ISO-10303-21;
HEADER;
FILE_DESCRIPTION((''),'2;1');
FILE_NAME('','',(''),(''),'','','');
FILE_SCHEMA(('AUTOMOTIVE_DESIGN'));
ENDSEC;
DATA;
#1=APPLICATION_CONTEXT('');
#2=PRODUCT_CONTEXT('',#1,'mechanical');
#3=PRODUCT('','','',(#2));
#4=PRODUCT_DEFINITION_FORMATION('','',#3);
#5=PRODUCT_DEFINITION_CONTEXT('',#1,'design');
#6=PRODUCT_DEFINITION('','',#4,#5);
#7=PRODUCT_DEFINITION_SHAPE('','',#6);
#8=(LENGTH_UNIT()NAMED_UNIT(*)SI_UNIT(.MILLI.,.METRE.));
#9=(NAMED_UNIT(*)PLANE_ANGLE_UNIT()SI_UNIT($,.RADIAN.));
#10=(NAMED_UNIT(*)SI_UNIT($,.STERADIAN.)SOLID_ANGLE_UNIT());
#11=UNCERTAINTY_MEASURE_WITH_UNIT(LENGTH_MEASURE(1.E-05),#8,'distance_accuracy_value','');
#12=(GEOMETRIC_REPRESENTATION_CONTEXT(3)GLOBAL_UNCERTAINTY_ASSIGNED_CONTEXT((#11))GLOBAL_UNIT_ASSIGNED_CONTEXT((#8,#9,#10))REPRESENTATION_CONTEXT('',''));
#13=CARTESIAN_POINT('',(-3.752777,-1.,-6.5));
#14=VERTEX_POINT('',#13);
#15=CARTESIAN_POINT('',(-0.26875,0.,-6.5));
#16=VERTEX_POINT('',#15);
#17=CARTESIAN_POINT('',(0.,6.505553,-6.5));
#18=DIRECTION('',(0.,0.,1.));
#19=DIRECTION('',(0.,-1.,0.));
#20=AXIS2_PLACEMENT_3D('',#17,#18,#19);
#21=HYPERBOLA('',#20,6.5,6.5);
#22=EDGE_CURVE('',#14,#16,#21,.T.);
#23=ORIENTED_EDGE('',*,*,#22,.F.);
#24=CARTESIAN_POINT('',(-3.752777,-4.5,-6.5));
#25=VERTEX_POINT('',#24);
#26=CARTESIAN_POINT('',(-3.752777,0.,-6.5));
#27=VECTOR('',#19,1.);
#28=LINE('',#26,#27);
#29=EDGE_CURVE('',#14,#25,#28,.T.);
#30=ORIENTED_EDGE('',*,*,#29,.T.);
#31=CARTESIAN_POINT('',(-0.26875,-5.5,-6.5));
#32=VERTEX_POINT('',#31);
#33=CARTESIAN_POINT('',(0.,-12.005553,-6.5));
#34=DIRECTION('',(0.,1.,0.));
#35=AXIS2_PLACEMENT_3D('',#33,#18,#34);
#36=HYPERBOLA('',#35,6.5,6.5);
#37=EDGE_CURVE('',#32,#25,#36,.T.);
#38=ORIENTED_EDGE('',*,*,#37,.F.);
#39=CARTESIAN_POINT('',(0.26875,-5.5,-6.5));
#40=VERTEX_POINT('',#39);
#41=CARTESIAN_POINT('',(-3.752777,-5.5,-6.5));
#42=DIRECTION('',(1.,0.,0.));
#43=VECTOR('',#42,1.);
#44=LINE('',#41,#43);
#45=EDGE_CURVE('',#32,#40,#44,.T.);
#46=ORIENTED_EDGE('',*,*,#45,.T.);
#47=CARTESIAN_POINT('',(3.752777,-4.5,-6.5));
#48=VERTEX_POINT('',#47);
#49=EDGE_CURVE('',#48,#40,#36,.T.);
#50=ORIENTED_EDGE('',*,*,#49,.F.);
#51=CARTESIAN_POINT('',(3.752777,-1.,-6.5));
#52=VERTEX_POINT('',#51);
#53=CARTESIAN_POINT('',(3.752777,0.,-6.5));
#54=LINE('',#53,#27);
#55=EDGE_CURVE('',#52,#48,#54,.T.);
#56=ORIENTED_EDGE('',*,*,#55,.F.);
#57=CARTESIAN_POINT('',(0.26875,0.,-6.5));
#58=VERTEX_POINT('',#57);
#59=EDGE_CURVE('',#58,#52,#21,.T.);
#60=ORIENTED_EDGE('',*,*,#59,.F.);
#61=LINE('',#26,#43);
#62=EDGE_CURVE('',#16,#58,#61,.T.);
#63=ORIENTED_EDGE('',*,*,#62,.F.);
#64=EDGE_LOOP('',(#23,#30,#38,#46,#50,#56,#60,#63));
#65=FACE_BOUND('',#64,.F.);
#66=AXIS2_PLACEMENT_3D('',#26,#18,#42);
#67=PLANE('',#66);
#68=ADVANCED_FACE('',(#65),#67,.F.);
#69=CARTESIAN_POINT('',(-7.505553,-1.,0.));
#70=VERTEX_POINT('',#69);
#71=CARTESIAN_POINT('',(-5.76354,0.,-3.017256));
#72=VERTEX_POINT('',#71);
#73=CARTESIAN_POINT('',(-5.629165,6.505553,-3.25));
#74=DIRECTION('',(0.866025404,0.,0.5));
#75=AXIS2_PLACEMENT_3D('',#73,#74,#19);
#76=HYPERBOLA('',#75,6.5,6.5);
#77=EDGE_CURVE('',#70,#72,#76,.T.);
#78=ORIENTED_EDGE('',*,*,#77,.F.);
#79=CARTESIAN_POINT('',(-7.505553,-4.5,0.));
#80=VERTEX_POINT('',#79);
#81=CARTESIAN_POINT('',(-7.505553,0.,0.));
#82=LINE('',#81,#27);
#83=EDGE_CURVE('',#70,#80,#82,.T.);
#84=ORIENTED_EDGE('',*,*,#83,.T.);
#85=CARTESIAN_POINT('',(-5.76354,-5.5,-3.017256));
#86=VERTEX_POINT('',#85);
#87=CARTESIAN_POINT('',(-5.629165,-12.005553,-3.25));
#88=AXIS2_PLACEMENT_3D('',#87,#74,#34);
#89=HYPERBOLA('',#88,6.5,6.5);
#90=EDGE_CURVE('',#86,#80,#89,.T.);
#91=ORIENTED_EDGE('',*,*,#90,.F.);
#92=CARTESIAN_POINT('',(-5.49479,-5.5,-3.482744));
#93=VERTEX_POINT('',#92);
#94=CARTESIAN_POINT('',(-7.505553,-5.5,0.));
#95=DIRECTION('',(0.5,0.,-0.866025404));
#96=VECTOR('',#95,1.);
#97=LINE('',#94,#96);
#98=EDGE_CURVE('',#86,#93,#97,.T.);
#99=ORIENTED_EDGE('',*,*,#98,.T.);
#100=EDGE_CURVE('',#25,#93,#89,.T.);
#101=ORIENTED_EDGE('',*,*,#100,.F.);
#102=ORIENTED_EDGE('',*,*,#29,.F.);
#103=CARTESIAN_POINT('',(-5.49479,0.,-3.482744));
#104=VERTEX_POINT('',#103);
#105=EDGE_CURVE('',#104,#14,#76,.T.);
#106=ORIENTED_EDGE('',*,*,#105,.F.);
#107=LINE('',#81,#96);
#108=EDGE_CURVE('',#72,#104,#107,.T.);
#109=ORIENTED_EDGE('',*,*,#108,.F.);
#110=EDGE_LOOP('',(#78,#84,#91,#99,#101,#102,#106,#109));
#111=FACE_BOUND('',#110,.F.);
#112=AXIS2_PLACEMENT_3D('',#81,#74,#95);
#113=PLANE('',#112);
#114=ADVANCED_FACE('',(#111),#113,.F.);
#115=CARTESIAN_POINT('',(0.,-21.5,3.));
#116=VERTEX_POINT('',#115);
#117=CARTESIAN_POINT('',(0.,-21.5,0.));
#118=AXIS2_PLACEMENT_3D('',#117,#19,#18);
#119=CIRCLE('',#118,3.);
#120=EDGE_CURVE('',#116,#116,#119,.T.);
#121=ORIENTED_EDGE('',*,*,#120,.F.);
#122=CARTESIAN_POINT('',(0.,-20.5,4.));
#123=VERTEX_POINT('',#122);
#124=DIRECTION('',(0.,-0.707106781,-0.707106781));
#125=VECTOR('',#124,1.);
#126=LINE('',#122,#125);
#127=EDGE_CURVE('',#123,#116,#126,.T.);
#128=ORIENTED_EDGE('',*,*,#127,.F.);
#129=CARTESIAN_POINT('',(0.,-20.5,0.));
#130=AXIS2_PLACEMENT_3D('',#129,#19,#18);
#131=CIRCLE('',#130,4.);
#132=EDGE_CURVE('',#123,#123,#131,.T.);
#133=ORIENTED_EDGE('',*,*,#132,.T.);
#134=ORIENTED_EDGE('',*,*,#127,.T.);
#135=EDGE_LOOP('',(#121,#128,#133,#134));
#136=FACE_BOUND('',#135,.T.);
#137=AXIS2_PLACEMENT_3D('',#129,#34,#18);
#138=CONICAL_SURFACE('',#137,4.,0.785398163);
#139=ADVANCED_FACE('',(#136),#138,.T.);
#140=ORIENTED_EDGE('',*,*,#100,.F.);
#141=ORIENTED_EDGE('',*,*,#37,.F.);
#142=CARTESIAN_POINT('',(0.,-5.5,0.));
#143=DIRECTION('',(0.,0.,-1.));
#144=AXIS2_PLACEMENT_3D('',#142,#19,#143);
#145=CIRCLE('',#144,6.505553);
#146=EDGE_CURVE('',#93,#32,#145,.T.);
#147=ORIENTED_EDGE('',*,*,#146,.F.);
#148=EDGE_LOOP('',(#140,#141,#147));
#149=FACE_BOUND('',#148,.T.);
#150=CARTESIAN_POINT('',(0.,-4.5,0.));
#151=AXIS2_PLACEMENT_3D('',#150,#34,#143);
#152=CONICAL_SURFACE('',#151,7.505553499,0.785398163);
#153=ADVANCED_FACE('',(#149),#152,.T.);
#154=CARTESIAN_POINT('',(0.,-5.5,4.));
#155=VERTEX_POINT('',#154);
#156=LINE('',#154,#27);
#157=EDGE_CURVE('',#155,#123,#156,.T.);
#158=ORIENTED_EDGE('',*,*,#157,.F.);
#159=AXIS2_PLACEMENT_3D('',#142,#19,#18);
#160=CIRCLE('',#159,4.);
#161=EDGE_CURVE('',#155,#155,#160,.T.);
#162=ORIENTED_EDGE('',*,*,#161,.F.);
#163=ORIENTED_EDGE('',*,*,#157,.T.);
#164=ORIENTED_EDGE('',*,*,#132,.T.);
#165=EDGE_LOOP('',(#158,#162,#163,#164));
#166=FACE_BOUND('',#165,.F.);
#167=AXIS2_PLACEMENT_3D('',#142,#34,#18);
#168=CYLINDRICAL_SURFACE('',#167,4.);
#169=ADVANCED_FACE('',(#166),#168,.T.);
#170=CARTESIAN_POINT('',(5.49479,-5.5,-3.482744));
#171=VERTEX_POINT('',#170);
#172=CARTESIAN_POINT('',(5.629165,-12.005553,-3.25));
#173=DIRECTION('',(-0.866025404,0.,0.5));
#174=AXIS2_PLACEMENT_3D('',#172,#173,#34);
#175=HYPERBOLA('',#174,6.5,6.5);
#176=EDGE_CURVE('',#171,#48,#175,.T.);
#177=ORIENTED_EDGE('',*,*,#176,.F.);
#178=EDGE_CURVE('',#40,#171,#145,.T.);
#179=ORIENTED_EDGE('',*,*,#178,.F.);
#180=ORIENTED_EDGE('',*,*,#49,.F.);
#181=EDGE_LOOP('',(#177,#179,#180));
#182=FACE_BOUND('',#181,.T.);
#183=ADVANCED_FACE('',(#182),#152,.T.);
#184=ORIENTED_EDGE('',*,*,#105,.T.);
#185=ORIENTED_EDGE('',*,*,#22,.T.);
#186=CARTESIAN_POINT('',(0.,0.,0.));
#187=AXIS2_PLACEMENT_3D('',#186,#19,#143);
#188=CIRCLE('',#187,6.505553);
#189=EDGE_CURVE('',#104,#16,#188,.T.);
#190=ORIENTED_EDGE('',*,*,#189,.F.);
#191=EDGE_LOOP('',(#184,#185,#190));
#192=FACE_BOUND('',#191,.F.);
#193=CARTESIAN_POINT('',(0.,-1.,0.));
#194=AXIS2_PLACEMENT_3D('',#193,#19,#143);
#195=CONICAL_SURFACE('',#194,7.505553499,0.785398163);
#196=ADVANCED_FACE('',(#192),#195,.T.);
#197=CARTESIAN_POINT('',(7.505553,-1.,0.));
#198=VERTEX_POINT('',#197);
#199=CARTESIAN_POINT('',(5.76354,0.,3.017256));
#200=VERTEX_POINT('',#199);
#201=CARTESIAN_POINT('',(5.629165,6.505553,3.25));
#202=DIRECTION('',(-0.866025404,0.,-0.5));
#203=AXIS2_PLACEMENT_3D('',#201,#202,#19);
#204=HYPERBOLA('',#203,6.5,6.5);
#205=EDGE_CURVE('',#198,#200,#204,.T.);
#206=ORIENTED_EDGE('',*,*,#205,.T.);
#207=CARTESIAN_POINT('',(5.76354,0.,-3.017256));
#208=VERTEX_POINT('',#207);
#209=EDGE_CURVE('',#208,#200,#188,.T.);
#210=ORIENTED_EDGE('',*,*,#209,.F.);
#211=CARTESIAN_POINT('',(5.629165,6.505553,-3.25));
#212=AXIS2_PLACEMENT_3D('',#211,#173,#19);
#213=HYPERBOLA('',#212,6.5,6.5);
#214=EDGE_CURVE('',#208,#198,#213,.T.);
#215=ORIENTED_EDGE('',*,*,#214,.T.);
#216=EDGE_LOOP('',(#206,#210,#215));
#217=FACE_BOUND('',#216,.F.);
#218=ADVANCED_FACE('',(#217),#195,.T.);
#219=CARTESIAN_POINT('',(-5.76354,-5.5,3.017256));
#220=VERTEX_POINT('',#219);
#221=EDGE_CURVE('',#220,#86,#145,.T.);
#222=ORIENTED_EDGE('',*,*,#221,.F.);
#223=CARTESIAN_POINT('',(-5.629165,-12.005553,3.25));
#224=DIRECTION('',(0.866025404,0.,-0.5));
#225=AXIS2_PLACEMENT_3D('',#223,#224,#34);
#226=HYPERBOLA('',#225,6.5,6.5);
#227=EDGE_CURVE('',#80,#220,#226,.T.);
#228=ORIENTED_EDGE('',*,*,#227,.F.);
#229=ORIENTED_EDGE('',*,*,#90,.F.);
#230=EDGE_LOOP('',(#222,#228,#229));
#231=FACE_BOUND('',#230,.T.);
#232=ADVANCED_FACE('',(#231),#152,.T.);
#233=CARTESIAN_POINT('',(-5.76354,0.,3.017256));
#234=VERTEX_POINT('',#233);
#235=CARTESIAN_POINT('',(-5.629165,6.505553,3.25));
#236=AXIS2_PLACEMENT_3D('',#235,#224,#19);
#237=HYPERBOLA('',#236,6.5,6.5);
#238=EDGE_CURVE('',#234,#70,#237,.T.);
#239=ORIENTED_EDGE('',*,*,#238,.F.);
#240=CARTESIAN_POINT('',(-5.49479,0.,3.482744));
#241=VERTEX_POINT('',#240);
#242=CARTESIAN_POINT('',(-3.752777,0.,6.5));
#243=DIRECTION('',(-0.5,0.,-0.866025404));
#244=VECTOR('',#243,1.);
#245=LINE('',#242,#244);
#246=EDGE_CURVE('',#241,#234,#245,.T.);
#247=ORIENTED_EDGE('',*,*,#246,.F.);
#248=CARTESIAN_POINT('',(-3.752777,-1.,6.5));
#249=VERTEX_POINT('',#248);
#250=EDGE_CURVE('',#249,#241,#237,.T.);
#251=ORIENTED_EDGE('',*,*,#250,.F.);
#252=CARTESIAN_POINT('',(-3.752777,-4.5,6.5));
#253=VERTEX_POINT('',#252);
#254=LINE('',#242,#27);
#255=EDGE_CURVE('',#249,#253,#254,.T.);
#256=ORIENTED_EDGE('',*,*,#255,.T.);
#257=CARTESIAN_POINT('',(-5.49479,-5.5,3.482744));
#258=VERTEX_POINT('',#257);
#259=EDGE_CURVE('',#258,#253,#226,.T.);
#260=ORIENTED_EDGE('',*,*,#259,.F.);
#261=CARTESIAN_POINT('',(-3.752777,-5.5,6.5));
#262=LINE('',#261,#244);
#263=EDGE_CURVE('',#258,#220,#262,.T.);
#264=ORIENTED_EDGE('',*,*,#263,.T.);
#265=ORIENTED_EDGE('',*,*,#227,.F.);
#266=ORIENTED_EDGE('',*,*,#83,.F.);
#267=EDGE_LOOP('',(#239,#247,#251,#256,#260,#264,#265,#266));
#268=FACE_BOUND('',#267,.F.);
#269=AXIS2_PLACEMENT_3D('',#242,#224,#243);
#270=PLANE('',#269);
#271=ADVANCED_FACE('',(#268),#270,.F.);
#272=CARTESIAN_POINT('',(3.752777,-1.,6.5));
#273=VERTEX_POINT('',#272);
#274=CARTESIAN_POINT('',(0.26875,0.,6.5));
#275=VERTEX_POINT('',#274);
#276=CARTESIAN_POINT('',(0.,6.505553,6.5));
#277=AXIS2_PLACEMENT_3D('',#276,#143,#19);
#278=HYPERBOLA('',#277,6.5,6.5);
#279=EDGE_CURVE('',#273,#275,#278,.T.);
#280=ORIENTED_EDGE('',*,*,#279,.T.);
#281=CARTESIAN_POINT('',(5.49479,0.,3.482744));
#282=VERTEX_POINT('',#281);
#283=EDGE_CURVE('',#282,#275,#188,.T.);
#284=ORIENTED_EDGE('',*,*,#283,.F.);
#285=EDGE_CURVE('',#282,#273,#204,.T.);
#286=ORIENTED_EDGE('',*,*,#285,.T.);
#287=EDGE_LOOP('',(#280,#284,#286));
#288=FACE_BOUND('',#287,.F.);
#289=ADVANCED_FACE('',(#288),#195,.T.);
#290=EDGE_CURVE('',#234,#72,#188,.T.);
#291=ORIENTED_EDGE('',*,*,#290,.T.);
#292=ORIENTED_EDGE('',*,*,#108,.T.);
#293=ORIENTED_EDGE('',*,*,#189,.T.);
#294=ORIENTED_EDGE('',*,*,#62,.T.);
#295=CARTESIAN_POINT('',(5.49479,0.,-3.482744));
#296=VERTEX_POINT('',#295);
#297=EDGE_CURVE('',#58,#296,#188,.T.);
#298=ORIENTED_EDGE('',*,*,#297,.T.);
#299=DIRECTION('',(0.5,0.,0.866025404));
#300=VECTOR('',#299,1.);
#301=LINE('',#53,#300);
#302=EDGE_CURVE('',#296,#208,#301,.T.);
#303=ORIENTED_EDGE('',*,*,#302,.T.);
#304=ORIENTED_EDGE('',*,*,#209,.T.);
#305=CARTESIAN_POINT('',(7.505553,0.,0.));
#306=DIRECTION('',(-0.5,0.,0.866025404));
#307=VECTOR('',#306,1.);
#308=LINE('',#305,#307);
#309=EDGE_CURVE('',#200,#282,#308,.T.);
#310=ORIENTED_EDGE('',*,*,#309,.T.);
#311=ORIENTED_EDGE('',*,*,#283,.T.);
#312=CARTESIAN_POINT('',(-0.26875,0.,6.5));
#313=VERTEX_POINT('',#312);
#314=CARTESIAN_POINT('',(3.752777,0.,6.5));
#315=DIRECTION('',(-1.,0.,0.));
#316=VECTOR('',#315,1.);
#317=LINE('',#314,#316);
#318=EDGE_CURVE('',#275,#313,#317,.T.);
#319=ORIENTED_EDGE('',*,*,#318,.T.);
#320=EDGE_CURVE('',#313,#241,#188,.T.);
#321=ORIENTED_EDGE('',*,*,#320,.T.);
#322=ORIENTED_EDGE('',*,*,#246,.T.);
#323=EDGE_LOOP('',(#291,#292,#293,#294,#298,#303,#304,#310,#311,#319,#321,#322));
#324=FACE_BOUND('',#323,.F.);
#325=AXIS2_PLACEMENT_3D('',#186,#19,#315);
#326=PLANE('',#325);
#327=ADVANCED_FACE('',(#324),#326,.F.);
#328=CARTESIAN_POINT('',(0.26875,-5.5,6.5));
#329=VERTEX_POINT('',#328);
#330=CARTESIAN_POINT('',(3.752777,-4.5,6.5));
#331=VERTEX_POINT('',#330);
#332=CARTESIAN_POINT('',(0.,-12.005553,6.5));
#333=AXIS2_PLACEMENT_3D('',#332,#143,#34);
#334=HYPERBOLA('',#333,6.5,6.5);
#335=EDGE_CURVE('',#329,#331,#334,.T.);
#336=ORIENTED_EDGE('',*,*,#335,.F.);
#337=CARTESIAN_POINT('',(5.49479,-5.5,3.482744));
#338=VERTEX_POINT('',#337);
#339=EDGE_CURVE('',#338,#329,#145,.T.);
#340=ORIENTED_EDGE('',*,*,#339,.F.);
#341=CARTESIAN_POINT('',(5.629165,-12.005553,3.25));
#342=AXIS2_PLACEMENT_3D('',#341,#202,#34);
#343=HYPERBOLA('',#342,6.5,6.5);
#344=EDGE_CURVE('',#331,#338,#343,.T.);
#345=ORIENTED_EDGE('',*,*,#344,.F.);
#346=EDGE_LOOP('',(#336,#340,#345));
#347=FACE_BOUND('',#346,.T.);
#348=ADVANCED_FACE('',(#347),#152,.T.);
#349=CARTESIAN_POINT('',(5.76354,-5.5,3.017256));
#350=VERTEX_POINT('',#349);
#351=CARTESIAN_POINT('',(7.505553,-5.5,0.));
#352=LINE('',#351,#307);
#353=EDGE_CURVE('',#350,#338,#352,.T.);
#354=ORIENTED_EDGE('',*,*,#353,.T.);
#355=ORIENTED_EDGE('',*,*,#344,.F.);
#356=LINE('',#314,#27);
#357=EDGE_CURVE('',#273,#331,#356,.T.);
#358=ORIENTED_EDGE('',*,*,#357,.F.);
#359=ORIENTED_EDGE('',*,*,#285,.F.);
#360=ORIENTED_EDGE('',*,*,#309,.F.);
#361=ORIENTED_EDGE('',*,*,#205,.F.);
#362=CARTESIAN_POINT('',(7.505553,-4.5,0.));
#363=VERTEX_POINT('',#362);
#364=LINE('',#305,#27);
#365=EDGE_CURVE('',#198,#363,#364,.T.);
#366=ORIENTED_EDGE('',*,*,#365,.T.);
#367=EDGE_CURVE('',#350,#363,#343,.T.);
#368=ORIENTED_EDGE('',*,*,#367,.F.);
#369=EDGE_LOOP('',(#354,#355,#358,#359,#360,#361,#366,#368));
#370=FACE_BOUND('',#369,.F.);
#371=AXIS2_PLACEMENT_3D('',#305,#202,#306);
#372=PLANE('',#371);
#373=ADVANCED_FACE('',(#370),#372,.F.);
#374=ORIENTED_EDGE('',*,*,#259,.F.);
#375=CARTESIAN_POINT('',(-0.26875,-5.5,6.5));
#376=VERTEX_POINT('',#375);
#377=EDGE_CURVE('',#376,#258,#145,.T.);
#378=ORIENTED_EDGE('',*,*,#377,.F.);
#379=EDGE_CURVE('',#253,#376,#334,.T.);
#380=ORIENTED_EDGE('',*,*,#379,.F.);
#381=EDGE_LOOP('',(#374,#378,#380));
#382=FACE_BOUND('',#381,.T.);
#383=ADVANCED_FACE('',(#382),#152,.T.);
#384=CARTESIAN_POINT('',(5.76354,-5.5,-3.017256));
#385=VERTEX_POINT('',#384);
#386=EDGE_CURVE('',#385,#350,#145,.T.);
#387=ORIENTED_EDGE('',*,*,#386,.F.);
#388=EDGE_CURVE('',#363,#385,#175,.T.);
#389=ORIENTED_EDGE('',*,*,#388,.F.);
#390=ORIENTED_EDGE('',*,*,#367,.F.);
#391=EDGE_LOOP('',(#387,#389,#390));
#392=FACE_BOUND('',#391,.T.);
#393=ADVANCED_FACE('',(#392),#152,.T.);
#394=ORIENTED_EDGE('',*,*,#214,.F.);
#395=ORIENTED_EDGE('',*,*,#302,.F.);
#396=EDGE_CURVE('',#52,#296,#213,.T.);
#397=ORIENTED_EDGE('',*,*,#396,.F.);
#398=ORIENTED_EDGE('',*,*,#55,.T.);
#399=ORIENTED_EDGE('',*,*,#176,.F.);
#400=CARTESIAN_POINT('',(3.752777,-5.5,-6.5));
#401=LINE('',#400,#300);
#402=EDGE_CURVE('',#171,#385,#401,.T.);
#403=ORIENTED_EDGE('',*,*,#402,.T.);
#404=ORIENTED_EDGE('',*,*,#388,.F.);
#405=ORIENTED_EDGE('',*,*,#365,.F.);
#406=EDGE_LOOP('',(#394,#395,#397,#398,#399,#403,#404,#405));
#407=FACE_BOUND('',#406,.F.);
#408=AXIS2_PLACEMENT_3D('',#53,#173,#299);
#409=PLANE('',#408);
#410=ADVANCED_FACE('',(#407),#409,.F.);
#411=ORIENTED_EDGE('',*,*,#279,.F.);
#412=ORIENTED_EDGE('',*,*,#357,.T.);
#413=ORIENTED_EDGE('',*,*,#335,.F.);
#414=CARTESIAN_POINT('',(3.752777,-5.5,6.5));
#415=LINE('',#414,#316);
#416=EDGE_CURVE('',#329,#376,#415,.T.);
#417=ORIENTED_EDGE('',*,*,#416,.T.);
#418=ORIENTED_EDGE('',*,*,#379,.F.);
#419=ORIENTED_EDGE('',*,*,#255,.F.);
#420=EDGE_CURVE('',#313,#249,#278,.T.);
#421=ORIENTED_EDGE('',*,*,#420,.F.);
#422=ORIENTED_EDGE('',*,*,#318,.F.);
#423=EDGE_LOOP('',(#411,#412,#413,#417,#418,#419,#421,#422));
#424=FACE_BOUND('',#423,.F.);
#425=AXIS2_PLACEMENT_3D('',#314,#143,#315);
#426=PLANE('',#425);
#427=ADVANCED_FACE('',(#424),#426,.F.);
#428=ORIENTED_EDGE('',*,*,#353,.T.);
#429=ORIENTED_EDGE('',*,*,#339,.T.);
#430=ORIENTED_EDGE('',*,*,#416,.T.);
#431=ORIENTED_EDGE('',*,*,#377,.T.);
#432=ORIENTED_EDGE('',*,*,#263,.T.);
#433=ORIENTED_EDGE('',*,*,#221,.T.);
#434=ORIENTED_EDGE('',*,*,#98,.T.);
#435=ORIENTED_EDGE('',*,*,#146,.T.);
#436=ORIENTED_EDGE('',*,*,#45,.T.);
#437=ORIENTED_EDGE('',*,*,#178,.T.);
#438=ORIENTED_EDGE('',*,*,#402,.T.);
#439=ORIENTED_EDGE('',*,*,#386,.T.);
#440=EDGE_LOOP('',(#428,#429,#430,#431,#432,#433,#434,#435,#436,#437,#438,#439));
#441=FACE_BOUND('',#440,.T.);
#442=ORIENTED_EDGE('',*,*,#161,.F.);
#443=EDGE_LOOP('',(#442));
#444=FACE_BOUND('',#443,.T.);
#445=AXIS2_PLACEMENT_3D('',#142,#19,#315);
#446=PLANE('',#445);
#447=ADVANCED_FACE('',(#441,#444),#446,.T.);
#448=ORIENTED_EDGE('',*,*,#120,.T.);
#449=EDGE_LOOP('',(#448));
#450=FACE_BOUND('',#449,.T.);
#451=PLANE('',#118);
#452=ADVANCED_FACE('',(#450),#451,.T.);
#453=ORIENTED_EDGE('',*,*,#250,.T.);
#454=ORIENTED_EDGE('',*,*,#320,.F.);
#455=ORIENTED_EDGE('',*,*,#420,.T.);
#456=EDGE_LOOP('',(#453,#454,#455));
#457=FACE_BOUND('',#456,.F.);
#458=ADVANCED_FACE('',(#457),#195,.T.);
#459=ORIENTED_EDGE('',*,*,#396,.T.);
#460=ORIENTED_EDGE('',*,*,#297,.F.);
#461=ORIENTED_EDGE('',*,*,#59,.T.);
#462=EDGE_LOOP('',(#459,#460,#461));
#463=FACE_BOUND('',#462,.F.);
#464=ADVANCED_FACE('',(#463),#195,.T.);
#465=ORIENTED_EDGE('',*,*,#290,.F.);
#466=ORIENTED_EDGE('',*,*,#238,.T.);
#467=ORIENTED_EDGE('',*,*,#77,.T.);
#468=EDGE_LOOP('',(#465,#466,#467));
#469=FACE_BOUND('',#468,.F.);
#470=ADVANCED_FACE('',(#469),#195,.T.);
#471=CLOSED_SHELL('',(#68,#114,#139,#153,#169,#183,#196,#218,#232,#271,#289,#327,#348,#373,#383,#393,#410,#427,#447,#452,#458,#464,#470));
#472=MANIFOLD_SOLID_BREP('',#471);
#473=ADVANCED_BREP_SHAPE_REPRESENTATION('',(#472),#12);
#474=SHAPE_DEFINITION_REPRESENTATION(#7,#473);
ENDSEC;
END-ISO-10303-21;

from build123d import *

# Parameters (mm, degrees)
EXTRUDE_1_DEPTH = 5.5
SKETCH_5_R      = 4
EXTRUDE_2_DEPTH = 16
CHAMFER_1_SIZE  = 1


with BuildPart() as part:
    # Эскиз1 → Вытянуть1 (new body)
    with BuildSketch(Plane(origin=(0, 0, 0), x_dir=(1, 0, 0), z_dir=(0, 1, 0))):
        Polygon((-3.75277675, 6.5), (3.75277675, 6.5), (7.505553499, 0), (3.75277675, -6.5), (-3.75277675, -6.5), (-7.505553499, 0), align=None)
    extrude(amount=-EXTRUDE_1_DEPTH)

    # Эскиз5 → Вытянуть2 (add)
    with BuildSketch(Plane.XZ.offset(5.5)):
        with Locations(Location((0, 0, 0), (0, 0, 90))):
            Circle(SKETCH_5_R)
    extrude(amount=EXTRUDE_2_DEPTH)

    # Фаска1
    chamfer_1_edges = [part.edges().sort_by_distance(p)[0] for p in [
        (0, -21.5, -4),
    ]]
    chamfer(chamfer_1_edges, length=CHAMFER_1_SIZE)

    # Эскиз4 → Вырез-Повернуть1 (revolve, cut)
    with BuildSketch(Plane.XY, mode=Mode.PRIVATE) as cut_revolve_1_sk:
        Polygon((-7.505553499, -1), (-6.505553499, 0), (-7.505553499, 0), align=None)
        Polygon((-7.505553499, -4.5), (-6.505553499, -5.5), (-7.505553499, -5.5), align=None)
    revolve(cut_revolve_1_sk.sketch.rotate(Axis((0, -5.5, 0), (0, -1, 0)), 90), axis=Axis((0, -5.5, 0), (0, -1, 0)), mode=Mode.SUBTRACT)


solid = part.part
